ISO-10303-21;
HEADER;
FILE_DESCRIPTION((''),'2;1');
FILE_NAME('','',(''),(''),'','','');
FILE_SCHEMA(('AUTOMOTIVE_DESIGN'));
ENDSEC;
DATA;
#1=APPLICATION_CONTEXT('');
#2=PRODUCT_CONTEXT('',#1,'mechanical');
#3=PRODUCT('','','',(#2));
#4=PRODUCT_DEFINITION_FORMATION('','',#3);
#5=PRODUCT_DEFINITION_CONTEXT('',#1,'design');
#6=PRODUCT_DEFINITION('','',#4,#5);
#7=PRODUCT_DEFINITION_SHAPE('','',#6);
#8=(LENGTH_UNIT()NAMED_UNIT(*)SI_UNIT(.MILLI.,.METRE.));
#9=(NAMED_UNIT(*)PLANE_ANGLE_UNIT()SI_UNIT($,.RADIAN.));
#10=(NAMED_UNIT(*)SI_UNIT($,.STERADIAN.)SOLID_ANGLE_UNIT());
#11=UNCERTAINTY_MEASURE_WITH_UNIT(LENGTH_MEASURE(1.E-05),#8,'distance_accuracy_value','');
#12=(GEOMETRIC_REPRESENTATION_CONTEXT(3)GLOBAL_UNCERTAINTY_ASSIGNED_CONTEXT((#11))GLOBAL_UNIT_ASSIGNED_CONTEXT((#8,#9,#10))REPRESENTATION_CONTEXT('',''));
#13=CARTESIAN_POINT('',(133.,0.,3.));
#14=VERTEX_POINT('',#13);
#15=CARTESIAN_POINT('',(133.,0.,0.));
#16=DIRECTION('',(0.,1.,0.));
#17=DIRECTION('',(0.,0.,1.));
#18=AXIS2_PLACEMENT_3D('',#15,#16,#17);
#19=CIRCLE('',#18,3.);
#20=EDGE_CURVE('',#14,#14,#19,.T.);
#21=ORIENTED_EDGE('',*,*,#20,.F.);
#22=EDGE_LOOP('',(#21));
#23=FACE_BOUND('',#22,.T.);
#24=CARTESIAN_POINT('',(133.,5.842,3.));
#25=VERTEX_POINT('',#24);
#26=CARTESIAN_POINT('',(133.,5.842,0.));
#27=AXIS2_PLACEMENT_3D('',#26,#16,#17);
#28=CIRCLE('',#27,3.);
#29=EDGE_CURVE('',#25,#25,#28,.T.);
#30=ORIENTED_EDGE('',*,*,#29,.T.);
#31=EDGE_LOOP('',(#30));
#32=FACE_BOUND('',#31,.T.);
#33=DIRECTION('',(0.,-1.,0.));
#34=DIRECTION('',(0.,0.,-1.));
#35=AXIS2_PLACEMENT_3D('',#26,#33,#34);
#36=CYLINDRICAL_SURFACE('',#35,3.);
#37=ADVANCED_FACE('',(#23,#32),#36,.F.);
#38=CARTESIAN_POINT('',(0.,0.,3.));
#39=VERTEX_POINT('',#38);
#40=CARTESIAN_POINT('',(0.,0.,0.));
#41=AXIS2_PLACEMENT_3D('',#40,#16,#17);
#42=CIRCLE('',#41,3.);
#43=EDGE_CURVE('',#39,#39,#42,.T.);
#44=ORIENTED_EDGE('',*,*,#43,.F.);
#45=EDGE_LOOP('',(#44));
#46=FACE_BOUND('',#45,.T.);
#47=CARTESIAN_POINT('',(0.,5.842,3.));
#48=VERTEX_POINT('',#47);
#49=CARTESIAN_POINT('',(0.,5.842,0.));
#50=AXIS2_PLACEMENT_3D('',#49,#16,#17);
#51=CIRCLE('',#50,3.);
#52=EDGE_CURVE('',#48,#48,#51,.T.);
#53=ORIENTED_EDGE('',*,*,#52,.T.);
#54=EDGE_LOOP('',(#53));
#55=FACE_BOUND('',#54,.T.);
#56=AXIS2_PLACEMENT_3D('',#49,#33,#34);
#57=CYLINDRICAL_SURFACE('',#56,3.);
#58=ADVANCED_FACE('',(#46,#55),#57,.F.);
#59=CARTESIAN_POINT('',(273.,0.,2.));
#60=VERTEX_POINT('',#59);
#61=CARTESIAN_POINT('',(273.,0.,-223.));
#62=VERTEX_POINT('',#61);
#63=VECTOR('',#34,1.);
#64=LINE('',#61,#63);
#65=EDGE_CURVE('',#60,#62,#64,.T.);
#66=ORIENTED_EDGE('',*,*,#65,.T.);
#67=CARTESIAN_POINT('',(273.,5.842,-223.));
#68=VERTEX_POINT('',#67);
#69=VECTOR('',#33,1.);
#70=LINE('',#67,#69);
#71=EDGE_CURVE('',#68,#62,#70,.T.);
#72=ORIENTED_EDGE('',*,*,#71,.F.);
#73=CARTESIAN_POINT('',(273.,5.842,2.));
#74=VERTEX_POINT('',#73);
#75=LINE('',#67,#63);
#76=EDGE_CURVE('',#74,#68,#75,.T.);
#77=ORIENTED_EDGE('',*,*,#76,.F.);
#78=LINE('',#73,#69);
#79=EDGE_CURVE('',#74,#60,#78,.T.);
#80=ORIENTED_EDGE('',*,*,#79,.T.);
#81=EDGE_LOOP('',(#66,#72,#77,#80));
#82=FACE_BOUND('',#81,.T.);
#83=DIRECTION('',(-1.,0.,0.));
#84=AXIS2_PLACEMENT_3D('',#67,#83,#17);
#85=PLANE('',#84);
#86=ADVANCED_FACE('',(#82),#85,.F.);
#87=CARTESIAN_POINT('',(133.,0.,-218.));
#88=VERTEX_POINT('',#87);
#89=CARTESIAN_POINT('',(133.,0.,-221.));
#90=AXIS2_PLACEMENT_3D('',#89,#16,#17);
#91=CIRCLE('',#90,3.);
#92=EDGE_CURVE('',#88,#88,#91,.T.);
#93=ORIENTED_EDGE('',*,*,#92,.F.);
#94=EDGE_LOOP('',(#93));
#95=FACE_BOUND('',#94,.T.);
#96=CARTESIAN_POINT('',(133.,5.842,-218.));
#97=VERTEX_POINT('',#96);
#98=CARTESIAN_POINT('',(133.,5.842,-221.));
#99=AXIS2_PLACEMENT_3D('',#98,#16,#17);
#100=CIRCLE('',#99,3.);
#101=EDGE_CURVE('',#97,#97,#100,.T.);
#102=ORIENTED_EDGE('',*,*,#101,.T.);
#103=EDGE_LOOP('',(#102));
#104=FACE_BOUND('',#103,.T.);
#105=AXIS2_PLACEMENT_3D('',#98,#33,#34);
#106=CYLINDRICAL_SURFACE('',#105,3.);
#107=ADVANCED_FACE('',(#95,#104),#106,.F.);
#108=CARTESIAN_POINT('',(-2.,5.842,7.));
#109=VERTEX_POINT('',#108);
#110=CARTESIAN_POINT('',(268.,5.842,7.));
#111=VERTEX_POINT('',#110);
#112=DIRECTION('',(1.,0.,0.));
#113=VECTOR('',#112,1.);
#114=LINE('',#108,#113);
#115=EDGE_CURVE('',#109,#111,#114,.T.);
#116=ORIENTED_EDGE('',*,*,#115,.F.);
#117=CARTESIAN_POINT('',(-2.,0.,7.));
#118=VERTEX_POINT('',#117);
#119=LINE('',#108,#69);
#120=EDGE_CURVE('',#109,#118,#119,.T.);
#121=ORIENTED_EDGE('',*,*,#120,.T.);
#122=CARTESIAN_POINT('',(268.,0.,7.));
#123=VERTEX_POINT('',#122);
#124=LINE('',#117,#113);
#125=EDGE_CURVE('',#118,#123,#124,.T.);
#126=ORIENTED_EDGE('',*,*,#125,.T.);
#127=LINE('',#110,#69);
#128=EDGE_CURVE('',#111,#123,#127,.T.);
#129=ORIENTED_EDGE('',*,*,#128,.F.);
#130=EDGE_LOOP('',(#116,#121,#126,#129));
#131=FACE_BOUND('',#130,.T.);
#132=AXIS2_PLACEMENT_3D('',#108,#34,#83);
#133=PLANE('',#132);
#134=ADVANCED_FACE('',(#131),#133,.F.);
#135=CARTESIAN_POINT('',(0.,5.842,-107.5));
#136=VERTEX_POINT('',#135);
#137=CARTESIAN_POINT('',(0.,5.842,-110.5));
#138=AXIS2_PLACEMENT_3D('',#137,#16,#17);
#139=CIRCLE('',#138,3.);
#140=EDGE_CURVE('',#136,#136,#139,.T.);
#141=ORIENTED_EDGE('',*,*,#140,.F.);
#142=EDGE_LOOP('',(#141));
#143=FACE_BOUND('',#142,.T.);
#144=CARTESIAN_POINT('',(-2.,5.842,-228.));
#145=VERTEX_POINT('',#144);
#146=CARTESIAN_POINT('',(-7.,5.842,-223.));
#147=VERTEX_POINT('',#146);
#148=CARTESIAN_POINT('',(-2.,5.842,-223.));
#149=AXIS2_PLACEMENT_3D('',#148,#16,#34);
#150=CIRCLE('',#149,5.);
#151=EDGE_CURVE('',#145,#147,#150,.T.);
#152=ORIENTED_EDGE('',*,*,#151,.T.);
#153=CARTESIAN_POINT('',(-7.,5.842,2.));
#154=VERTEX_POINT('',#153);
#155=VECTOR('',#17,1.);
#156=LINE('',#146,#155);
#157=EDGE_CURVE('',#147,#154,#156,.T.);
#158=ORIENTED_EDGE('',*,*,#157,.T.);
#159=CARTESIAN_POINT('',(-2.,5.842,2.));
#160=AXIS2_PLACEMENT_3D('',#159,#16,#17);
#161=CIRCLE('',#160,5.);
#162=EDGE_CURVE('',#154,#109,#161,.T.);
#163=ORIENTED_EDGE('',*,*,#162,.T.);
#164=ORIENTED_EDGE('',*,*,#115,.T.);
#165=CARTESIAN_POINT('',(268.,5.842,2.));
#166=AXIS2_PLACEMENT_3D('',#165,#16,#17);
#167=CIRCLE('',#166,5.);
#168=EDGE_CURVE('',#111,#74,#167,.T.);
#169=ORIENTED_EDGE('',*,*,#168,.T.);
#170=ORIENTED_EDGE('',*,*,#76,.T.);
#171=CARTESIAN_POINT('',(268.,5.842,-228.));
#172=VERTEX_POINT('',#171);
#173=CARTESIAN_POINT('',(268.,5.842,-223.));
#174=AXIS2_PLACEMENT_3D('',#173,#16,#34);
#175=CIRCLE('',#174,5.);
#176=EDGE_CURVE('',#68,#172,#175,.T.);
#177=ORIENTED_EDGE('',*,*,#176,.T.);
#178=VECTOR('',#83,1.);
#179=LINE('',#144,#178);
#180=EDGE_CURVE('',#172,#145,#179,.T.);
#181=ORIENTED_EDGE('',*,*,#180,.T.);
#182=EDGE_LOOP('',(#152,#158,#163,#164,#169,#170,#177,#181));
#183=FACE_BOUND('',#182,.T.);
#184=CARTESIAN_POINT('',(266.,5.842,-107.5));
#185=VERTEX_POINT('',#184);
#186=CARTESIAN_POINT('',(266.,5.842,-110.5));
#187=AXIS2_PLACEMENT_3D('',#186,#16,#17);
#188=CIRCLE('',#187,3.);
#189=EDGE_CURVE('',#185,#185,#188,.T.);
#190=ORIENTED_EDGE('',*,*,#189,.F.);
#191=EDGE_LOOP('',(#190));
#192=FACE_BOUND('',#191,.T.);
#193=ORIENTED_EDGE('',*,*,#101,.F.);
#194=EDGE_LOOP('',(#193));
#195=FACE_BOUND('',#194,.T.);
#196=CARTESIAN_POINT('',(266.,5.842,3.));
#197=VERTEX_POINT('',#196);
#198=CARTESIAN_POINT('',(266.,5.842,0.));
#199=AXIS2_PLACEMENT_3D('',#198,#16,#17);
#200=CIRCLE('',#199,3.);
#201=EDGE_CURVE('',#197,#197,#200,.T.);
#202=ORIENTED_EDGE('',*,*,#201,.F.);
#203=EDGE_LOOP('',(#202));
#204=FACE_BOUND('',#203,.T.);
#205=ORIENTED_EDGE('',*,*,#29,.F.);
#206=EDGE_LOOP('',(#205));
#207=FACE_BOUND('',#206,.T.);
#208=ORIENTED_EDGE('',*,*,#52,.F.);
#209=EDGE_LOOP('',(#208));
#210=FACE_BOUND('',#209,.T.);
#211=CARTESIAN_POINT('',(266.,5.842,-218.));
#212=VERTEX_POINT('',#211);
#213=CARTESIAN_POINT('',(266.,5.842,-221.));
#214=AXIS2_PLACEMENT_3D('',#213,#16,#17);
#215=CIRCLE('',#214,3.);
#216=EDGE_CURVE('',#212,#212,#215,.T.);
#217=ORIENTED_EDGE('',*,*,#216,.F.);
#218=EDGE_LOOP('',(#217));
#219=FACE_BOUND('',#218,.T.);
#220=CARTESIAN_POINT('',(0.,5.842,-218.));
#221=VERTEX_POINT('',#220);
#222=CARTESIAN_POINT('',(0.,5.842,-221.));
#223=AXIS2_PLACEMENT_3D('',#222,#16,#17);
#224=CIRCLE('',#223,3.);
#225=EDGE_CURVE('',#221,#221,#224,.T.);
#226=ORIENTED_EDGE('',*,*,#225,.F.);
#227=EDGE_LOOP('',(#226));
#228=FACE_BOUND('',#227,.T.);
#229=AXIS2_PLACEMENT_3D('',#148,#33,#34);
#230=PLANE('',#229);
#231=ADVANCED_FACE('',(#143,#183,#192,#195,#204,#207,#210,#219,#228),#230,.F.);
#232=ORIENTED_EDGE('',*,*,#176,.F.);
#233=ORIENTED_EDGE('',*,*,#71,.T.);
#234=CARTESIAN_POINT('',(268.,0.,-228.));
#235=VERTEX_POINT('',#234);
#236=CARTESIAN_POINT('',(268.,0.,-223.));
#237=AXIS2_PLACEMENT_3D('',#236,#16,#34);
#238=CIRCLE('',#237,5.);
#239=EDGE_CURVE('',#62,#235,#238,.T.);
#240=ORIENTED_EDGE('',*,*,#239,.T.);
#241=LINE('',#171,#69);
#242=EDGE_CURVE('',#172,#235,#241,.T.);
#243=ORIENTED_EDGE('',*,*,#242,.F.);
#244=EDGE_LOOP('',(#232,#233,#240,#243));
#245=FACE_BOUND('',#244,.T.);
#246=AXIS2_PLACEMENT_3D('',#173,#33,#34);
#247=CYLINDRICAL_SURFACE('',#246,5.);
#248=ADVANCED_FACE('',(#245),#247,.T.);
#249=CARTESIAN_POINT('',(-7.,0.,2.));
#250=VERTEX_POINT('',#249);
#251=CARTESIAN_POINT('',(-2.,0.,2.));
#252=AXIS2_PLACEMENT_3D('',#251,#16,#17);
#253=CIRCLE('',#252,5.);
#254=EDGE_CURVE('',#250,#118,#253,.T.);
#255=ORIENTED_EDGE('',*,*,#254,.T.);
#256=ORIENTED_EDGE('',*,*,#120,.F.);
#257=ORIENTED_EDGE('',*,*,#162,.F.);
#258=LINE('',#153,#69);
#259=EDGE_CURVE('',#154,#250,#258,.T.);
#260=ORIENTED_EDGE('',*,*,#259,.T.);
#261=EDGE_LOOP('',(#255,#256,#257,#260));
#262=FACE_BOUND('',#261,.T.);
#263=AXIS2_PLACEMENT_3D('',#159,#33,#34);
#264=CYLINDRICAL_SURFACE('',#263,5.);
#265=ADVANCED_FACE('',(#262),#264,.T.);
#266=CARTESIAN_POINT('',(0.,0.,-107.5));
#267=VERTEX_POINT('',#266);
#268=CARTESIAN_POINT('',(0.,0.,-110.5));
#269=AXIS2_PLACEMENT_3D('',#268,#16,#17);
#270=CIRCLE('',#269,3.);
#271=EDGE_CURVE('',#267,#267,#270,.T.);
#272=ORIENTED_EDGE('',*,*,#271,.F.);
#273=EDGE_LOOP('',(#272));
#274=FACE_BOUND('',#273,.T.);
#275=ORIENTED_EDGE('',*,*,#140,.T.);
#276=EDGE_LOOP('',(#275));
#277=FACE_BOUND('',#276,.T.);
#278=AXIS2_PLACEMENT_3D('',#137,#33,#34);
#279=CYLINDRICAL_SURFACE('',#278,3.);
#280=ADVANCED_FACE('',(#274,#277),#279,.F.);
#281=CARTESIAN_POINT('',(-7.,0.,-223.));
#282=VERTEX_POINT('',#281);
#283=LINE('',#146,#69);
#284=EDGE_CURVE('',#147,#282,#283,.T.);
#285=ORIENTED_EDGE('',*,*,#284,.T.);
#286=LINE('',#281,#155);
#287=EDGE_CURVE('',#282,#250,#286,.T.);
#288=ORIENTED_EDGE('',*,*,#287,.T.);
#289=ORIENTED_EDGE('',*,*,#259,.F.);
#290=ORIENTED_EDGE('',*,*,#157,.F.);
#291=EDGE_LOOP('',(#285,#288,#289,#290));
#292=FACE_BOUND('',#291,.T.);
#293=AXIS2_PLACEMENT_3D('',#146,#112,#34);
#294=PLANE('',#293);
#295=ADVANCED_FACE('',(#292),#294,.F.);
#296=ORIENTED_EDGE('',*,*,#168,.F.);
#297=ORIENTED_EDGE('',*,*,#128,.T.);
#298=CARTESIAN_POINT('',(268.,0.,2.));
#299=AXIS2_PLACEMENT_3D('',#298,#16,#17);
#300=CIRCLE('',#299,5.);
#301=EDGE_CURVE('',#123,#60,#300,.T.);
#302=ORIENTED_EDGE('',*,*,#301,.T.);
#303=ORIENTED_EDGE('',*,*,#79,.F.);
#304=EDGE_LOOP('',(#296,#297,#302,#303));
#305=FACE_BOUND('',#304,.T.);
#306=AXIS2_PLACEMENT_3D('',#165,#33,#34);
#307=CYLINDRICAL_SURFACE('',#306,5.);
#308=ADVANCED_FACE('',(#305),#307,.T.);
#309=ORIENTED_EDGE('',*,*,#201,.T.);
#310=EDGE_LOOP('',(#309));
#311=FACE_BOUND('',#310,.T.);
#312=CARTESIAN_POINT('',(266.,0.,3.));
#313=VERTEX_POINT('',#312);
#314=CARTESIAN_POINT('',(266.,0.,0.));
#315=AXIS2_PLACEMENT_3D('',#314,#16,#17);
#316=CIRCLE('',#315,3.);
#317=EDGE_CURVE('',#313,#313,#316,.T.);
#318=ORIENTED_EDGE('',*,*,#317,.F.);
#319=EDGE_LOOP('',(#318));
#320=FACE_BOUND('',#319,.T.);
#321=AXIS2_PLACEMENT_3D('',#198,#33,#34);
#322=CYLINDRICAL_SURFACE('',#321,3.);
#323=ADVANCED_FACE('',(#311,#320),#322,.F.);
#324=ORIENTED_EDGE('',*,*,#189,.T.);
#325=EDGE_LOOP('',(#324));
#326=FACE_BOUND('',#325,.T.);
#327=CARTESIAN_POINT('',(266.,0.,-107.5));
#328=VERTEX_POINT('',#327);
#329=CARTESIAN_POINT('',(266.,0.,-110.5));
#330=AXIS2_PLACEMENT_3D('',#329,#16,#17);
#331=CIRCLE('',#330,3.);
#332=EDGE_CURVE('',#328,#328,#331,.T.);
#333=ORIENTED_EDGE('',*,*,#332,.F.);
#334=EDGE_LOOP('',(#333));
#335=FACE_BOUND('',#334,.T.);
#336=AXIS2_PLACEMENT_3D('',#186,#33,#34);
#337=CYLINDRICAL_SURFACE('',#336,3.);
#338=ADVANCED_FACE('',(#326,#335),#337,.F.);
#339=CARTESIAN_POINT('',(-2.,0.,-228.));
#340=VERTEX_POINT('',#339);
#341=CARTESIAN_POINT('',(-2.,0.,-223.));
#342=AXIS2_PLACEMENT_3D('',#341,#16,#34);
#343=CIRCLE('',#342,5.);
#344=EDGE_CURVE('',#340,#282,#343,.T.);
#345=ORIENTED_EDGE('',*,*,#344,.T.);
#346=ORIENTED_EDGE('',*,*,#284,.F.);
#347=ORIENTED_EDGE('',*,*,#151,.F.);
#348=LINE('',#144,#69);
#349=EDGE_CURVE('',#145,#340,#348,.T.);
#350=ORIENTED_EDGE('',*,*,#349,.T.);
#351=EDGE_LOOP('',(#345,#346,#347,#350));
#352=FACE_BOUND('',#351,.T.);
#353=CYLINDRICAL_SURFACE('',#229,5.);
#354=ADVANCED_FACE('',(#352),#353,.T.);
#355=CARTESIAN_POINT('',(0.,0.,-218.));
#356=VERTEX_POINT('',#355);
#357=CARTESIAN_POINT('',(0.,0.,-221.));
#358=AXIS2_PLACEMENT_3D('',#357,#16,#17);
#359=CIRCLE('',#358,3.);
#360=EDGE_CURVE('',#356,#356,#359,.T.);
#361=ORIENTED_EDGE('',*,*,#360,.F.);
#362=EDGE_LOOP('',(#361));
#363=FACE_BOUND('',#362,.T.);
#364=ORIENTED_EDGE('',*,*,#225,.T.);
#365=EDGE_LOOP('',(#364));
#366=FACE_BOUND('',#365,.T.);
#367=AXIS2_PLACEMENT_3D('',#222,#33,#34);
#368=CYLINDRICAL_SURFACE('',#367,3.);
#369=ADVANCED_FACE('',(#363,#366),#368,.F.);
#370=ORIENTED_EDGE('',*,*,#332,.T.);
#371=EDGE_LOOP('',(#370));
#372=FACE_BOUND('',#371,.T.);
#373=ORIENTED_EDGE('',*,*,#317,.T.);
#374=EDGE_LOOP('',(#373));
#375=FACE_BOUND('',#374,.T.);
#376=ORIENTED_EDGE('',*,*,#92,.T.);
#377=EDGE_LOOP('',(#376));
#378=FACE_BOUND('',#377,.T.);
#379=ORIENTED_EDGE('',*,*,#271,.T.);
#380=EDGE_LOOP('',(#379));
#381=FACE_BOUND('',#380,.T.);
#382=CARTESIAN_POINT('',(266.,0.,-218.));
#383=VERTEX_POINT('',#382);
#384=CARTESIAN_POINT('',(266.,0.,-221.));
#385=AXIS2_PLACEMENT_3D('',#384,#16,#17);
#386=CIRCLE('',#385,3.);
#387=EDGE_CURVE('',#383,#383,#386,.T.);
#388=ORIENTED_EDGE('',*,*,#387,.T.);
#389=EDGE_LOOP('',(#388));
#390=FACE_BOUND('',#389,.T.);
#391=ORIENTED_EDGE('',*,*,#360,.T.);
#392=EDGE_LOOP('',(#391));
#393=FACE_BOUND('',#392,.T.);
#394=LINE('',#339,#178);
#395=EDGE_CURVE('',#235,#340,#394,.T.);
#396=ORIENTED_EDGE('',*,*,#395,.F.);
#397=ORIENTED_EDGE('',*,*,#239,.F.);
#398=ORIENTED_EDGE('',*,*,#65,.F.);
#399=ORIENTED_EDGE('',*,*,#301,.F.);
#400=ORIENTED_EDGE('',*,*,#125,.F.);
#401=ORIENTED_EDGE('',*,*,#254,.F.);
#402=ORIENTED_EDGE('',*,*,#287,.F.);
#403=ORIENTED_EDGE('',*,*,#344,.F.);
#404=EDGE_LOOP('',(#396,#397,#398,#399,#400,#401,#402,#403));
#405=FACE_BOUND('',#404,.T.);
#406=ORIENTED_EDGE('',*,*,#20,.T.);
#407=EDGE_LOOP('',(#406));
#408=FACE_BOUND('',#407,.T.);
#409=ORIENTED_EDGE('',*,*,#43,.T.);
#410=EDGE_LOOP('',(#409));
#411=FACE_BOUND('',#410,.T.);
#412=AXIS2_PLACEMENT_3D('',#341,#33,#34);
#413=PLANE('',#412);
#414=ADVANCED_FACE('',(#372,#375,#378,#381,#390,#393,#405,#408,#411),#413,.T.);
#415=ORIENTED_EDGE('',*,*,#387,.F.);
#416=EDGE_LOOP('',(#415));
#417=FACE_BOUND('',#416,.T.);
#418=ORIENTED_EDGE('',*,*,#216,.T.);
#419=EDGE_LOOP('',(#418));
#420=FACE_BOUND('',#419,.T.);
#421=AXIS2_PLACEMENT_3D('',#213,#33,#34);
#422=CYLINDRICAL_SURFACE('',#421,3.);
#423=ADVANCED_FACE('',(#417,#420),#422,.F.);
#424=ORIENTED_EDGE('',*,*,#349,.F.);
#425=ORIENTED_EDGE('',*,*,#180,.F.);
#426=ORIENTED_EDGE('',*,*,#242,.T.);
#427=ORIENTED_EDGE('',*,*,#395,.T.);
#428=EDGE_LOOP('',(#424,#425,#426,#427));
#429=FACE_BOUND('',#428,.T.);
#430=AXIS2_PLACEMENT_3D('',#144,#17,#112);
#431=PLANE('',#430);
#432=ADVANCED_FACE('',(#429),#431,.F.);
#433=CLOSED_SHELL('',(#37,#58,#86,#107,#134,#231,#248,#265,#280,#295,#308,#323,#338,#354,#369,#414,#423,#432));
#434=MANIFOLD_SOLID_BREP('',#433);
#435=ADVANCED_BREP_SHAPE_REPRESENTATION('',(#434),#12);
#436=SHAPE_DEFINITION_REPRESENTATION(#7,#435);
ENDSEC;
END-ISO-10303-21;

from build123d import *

# Parameters (mm, degrees)
SKETCH1_R           = 3
BOSS_EXTRUDE1_DEPTH = 5.842


with BuildPart() as part:
    # Sketch1 → Boss-Extrude1 (new body)
    with BuildSketch(Plane(origin=(0, 0, 0), x_dir=(1, 0, 0), z_dir=(0, 1, 0))):
        with BuildLine():
            Line((-2, 228), (268, 228))
            ThreePointArc((268, 228), (271.535533906, 226.535533906), (273, 223))
            Line((273, 223), (273, -2))
            ThreePointArc((273, -2), (271.535533906, -5.535533906), (268, -7))
            Line((268, -7), (-2, -7))
            ThreePointArc((-2, -7), (-5.535533906, -5.535533906), (-7, -2))
            Line((-7, -2), (-7, 223))
            ThreePointArc((-7, 223), (-5.535533906, 226.535533906), (-2, 228))
        make_face()
        with Locations(Location((0, 221, 0), (0, 0, 270))):
            Circle(SKETCH1_R, mode=Mode.SUBTRACT)
        with Locations(Location((266, 221, 0), (0, 0, 270))):
            Circle(SKETCH1_R, mode=Mode.SUBTRACT)
        with Locations(Location((266, 110.5, 0), (0, 0, 270))):
            Circle(SKETCH1_R, mode=Mode.SUBTRACT)
        with Locations(Location((0, 110.5, 0), (0, 0, 270))):
            Circle(SKETCH1_R, mode=Mode.SUBTRACT)
        with Locations(Location((133, 221, 0), (0, 0, 270))):
            Circle(SKETCH1_R, mode=Mode.SUBTRACT)
        with Locations(Location((133, 0, 0), (0, 0, 270))):
            Circle(SKETCH1_R, mode=Mode.SUBTRACT)
        with Locations(Location((266, 0, 0), (0, 0, 270))):
            Circle(SKETCH1_R, mode=Mode.SUBTRACT)
        with Locations(Location((0, 0, 0), (0, 0, 270))):
            Circle(SKETCH1_R, mode=Mode.SUBTRACT)
    extrude(amount=BOSS_EXTRUDE1_DEPTH)


solid = part.part
